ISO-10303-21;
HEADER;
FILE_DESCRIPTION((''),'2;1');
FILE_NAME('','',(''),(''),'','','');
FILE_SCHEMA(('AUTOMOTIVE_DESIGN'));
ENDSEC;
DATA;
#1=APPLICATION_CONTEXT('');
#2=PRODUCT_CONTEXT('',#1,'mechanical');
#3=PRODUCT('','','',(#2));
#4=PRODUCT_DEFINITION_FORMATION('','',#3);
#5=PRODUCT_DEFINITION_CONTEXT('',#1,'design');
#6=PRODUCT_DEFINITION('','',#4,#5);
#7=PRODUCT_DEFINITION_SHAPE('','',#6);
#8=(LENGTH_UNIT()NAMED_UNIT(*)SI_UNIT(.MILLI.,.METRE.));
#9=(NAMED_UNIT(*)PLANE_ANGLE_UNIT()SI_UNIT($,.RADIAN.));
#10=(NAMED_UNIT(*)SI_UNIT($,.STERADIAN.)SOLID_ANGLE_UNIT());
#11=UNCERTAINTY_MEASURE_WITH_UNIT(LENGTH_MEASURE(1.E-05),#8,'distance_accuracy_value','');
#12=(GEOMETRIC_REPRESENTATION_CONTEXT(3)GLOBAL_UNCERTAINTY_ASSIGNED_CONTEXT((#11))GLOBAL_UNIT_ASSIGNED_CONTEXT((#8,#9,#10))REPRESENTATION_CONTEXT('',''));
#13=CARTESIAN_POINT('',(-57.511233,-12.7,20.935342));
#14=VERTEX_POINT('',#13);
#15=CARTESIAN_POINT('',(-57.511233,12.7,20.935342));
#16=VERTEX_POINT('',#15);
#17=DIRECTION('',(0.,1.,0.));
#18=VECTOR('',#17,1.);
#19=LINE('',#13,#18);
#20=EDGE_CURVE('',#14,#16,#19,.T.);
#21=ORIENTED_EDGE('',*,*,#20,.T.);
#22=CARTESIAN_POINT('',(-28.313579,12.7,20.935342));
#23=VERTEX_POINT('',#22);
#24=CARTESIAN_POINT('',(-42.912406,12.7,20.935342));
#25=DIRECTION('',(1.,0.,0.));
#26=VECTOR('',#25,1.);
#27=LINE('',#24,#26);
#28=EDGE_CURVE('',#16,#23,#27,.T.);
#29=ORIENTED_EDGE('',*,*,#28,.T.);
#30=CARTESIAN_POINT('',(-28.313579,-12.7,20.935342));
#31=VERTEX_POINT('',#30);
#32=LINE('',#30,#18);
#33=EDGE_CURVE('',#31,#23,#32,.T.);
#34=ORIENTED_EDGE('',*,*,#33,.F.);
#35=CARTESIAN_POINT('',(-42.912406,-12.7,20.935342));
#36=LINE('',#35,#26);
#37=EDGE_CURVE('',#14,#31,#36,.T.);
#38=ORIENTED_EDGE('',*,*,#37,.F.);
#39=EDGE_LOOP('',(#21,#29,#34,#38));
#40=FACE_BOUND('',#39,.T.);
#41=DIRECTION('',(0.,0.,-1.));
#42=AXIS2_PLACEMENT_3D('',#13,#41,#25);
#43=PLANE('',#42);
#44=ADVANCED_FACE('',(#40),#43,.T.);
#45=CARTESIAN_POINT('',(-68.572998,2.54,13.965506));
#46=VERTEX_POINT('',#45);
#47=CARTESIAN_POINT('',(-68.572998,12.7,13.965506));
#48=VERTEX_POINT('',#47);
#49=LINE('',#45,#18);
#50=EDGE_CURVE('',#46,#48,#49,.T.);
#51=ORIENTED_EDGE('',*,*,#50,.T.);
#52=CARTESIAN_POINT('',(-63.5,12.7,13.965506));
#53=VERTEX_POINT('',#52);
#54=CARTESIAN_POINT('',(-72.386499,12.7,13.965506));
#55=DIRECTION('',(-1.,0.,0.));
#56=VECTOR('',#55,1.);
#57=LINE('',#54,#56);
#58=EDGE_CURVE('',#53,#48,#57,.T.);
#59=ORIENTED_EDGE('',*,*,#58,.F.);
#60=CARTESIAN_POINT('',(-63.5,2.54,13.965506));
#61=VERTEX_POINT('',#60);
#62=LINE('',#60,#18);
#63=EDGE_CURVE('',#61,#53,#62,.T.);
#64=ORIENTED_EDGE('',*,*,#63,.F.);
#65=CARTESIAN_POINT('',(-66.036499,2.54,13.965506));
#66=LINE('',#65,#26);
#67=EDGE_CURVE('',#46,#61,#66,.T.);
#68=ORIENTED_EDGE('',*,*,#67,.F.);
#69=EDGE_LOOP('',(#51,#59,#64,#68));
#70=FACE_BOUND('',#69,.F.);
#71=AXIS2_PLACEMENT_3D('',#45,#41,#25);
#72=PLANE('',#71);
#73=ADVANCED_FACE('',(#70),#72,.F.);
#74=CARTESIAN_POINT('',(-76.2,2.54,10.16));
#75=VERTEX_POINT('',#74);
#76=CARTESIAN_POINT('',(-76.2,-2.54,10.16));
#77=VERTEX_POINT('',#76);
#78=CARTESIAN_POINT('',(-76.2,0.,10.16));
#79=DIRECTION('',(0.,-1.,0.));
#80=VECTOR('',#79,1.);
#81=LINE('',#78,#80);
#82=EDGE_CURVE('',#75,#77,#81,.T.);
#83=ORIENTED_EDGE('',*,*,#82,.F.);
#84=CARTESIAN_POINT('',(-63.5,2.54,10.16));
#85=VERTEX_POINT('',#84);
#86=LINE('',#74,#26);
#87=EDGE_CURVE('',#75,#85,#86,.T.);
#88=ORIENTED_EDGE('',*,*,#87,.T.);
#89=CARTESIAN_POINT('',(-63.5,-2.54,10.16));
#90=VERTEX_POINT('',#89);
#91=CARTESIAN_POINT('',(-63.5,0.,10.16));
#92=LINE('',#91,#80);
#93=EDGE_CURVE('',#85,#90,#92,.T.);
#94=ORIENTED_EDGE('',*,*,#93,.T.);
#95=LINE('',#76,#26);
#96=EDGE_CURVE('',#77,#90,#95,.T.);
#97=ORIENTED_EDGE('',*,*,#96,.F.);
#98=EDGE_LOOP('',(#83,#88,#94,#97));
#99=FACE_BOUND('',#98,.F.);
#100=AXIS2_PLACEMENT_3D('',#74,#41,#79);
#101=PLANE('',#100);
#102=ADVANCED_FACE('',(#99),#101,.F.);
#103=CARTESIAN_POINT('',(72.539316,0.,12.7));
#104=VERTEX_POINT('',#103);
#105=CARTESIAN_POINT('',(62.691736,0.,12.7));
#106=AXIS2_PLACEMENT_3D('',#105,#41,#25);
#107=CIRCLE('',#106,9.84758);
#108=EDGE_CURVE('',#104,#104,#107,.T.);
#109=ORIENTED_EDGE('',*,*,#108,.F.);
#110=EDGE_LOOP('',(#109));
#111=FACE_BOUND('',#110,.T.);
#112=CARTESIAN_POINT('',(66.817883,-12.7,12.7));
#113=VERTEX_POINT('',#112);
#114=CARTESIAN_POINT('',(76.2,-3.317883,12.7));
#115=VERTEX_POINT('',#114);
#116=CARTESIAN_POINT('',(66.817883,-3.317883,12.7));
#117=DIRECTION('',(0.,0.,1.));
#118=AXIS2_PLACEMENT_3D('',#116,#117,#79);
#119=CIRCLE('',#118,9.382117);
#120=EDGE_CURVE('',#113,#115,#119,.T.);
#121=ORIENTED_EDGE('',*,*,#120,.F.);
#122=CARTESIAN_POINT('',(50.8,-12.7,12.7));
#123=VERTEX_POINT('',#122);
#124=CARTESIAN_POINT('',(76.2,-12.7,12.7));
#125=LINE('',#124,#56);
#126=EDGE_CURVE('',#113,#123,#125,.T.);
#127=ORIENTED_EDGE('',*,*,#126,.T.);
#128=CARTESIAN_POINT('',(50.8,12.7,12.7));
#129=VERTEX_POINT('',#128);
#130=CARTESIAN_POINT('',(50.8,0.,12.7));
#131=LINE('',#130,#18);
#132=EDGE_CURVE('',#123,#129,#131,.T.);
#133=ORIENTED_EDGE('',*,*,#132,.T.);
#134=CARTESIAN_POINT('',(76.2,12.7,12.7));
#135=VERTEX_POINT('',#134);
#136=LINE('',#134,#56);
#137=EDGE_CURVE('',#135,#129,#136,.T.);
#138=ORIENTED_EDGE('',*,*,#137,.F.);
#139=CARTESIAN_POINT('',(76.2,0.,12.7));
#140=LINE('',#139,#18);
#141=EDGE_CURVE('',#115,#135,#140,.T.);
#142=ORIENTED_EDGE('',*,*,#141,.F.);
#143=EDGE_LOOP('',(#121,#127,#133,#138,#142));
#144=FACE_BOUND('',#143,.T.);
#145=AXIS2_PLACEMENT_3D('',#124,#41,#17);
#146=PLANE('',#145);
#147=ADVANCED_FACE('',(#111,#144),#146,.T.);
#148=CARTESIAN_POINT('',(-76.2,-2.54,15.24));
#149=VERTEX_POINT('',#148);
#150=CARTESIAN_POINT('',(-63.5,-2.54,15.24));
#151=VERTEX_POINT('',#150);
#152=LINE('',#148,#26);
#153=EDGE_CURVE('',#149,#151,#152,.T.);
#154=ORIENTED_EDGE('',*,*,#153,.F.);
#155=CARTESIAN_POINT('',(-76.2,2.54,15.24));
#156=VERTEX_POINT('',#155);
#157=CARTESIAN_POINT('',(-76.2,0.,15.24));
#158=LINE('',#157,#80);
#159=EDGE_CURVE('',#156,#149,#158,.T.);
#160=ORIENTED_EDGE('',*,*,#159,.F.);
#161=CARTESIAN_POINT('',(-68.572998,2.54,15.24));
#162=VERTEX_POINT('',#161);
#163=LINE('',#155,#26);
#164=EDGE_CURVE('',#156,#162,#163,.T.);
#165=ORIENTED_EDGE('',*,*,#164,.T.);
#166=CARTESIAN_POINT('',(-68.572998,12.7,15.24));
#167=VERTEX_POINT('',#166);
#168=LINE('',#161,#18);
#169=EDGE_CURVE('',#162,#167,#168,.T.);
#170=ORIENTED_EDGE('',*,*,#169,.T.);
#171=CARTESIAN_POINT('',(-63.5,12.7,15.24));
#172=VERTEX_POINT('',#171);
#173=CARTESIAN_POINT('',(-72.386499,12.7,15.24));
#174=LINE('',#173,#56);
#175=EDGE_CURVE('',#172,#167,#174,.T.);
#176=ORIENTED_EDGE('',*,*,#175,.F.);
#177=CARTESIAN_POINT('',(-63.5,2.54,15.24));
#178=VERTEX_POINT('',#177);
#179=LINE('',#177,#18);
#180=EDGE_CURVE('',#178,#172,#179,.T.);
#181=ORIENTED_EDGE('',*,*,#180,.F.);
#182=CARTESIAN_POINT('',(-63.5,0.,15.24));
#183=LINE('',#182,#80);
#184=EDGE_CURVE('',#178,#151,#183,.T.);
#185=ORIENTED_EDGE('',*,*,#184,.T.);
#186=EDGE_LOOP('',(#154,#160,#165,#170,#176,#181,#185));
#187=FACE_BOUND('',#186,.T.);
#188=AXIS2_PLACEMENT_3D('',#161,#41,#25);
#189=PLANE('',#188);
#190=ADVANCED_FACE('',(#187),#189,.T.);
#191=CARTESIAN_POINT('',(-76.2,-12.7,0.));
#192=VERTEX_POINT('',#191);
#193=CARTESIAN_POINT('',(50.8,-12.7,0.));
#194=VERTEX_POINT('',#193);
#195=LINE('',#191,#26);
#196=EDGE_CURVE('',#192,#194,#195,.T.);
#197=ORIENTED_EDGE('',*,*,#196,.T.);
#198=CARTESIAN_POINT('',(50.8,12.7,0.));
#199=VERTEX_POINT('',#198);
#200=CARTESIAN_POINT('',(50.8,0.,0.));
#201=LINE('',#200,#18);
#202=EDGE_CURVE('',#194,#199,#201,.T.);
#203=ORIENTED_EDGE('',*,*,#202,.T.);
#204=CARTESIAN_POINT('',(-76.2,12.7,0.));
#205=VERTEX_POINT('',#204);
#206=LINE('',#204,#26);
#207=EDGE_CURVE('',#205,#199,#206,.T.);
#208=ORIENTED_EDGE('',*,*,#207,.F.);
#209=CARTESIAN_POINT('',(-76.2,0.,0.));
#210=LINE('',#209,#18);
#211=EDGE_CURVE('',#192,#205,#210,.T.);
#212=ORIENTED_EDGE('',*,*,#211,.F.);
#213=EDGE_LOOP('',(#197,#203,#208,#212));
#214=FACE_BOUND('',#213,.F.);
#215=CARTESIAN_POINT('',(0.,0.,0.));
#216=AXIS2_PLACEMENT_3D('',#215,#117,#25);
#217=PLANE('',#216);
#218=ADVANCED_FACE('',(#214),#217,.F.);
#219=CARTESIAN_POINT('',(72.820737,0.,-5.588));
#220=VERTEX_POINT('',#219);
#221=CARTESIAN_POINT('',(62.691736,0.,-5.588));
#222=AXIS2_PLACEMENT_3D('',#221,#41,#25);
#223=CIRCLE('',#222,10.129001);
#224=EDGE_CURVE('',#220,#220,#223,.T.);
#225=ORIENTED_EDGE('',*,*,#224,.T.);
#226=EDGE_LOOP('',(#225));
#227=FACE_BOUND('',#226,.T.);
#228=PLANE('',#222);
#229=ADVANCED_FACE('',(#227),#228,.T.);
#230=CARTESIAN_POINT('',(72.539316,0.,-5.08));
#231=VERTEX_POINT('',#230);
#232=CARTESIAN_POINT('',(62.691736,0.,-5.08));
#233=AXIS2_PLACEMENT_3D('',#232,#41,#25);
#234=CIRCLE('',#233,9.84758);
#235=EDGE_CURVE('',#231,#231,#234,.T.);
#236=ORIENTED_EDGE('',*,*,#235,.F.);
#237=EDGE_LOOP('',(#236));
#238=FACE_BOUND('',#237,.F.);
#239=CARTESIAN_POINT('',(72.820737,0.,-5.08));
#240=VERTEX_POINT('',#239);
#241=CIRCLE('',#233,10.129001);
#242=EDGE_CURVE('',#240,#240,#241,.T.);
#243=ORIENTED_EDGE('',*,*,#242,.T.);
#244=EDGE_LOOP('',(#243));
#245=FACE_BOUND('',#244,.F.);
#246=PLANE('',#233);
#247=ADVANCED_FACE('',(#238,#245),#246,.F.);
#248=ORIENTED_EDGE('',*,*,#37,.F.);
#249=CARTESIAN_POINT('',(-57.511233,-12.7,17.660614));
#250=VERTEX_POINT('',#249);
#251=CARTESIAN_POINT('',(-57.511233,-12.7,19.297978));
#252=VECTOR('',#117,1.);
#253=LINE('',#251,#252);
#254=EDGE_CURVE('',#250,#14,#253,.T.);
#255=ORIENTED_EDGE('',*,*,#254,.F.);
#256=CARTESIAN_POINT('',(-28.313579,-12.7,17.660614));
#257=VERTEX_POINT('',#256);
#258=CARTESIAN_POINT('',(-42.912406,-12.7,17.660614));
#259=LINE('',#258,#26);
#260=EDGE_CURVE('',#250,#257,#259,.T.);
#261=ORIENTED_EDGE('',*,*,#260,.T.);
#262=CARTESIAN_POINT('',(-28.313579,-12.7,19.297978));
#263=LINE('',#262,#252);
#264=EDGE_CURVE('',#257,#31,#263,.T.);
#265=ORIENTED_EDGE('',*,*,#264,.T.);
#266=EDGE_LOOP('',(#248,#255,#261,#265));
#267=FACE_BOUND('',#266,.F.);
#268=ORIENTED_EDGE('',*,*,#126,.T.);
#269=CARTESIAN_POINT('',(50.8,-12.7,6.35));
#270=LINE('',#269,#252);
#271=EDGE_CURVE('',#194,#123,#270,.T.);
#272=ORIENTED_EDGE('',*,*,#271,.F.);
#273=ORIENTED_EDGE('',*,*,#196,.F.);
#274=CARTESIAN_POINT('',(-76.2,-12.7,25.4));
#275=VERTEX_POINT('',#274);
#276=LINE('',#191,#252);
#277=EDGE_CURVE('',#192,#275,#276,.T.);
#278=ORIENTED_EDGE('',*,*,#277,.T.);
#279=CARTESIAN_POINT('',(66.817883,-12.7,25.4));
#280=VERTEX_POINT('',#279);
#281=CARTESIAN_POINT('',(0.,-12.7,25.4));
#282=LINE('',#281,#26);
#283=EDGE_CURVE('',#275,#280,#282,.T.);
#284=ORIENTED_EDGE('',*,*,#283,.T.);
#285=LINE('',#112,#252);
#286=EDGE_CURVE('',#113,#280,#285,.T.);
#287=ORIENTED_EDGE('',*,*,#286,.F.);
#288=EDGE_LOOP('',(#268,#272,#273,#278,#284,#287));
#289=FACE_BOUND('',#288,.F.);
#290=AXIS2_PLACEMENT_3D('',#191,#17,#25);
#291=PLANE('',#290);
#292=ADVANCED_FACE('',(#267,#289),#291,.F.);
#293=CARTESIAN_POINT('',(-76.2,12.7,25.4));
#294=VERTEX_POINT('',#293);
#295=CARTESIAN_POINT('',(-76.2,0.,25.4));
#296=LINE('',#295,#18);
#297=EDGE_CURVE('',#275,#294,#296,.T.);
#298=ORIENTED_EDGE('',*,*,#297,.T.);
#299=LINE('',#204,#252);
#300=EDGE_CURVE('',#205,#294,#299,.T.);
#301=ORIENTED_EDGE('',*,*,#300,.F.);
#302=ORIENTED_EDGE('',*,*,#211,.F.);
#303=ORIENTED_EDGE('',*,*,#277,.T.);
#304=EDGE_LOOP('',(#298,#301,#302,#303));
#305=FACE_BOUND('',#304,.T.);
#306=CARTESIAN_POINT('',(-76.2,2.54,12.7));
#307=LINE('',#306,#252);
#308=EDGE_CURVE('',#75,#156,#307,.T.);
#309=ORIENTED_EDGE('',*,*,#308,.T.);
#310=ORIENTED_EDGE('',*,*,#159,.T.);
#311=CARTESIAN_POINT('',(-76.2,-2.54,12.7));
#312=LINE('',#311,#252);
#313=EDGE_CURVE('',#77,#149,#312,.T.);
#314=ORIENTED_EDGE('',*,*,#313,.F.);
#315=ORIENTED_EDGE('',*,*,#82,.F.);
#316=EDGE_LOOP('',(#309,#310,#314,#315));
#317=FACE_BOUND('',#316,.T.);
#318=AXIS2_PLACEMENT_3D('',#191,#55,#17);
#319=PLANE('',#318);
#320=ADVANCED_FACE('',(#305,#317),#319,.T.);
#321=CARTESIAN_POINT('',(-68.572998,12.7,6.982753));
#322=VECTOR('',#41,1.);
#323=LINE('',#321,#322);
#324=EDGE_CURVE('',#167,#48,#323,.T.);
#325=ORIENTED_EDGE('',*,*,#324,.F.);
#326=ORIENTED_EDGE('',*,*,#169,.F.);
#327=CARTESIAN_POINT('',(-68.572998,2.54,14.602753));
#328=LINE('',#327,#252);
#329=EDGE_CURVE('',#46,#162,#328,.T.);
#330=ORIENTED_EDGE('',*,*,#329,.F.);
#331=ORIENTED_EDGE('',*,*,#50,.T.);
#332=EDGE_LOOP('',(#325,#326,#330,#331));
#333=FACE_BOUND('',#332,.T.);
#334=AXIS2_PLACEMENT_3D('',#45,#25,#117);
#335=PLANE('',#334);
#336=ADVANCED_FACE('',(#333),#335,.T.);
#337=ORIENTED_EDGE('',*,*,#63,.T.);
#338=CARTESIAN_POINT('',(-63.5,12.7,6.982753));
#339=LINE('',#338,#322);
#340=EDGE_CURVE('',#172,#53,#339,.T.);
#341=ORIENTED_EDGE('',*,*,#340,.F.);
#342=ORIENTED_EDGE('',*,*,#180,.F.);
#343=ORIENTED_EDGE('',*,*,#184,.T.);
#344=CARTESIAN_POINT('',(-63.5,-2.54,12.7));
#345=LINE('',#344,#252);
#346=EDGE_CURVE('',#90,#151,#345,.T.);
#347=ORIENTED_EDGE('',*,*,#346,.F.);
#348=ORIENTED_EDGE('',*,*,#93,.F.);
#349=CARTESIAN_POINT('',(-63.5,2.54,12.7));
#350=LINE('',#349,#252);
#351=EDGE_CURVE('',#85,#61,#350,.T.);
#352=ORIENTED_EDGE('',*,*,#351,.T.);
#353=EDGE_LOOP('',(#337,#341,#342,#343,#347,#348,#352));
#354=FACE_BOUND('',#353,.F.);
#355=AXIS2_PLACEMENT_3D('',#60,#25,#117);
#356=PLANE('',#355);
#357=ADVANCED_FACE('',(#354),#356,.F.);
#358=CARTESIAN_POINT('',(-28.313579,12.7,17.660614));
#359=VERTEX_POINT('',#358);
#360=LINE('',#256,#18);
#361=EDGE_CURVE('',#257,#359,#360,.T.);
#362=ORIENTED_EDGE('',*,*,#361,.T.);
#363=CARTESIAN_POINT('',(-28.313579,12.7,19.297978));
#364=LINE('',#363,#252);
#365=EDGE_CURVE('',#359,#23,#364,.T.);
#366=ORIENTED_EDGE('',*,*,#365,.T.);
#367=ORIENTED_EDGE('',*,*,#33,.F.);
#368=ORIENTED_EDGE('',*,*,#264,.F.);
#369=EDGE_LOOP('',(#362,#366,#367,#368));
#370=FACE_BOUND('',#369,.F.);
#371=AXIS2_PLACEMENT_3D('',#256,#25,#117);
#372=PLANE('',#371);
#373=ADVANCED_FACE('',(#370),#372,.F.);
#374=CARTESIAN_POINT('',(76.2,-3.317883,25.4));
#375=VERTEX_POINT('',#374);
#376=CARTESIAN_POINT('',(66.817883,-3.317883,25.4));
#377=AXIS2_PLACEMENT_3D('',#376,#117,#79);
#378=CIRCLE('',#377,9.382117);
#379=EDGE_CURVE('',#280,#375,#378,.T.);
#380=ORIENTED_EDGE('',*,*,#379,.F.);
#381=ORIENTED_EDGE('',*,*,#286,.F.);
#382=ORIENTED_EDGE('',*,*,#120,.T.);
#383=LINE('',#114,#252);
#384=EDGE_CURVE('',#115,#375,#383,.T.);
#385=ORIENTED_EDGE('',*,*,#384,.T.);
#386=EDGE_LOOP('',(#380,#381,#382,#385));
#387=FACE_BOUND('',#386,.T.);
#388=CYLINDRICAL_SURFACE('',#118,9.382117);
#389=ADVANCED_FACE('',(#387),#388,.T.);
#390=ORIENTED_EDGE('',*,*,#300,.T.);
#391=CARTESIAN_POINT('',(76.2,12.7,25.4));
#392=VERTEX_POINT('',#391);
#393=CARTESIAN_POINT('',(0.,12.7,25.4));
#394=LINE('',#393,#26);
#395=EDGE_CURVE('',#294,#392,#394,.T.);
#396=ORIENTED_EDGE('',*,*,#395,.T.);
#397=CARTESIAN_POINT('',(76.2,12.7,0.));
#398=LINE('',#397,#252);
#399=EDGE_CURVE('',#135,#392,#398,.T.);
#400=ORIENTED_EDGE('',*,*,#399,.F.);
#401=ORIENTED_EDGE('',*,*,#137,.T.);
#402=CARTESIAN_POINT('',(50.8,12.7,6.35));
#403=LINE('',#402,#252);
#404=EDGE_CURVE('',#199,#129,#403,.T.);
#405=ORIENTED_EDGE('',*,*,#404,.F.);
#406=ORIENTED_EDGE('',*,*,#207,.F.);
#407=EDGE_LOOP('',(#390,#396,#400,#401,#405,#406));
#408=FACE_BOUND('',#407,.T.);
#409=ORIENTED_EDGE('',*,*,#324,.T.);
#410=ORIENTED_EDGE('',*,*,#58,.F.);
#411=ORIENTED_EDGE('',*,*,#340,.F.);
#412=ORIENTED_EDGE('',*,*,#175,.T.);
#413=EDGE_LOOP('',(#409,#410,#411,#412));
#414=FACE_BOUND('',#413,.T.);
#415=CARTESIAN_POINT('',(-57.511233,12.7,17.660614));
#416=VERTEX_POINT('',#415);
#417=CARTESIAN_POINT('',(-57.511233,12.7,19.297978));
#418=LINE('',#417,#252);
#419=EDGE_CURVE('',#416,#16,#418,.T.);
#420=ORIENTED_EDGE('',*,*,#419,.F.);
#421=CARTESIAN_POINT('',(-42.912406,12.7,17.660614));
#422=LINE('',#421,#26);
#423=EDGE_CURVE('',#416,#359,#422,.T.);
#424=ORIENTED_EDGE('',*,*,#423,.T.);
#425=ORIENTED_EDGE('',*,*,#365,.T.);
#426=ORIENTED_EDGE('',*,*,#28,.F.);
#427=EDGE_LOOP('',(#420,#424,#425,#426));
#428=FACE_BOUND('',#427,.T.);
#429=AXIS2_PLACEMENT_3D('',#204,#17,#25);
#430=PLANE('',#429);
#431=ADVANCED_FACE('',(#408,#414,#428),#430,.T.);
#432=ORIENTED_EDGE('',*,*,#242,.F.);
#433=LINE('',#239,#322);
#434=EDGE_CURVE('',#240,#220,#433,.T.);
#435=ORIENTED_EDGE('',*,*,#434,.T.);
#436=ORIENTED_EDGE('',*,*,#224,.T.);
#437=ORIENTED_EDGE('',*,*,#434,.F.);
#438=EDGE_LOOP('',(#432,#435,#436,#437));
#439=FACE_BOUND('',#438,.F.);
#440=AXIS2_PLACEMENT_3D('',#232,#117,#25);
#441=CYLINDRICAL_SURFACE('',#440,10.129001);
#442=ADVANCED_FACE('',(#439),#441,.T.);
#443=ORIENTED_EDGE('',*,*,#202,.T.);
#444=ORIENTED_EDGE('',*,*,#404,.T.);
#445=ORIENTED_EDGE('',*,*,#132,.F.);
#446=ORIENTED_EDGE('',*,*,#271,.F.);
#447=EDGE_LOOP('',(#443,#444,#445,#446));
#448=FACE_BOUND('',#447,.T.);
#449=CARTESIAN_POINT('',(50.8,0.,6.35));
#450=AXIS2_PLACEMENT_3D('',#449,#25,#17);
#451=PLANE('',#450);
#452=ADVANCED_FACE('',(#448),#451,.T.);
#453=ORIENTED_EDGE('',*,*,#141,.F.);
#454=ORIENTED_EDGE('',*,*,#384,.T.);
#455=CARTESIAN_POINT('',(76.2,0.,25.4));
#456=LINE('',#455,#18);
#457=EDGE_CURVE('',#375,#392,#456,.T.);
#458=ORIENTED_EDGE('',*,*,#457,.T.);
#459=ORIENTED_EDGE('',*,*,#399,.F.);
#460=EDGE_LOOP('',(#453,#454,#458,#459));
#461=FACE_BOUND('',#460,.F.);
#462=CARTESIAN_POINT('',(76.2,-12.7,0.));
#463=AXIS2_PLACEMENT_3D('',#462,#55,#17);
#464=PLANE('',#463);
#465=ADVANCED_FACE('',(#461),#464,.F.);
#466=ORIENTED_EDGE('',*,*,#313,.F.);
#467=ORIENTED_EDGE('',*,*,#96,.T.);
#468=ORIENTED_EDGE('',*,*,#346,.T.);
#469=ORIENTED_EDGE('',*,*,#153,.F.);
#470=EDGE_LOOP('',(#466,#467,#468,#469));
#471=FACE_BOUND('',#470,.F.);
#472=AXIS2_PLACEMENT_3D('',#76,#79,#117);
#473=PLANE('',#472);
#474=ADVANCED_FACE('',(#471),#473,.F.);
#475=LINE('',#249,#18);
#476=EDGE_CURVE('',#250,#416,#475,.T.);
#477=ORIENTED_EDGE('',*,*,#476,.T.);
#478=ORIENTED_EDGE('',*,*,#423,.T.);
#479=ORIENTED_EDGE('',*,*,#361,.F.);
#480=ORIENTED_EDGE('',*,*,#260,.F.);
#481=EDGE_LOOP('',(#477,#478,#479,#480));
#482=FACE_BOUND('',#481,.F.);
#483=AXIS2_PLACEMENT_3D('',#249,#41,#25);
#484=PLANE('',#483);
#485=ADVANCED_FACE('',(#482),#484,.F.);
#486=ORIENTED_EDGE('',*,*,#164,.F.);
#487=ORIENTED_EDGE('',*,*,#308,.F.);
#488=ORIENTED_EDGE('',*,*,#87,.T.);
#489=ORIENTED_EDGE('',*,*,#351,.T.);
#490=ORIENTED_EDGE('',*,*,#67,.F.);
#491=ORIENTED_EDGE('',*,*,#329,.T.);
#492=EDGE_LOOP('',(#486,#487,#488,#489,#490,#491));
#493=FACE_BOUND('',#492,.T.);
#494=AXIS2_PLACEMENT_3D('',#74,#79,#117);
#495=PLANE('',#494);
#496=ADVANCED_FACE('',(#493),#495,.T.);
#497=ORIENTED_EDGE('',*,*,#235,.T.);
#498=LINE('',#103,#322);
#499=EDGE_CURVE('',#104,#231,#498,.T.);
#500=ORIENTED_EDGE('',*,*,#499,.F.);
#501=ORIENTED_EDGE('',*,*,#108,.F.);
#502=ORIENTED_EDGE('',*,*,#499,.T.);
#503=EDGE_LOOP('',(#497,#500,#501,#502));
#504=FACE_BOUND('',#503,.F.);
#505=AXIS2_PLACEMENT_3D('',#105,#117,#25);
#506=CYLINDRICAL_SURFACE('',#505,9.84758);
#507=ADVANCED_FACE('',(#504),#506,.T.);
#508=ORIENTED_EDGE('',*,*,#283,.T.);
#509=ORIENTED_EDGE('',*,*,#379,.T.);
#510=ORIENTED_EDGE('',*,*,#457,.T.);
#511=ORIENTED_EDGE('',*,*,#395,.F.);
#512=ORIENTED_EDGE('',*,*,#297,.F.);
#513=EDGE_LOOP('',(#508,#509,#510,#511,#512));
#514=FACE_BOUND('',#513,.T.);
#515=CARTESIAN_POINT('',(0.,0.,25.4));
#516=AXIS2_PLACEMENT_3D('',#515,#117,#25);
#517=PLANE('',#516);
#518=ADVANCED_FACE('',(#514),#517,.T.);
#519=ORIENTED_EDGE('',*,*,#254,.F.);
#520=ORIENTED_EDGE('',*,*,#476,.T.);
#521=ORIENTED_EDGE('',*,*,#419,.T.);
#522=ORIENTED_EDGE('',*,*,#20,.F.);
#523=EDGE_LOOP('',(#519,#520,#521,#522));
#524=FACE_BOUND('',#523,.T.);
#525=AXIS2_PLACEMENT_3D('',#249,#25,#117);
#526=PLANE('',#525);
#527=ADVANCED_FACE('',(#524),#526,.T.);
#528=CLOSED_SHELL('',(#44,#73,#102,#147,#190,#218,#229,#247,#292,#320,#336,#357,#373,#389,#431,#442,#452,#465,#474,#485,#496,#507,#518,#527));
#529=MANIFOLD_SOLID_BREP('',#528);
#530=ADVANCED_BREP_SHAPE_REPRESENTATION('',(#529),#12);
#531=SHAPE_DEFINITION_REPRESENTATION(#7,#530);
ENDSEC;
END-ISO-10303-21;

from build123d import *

# Parameters (mm, degrees)
F0_W       = 152.4
F0_H       = 25.4
F1_DEPTH   = 25.4
F2_W       = 25.4
F2_H       = 16.7976804078
F4_DEPTH   = 3.4544
F5_W       = 25.4
F5_H       = 12.7
F6_DEPTH   = 25.4
F8_W       = 29.1976537555
F8_H       = 3.2747276127
F9_DEPTH   = 25.4
F10_R      = 9.3821167461
F7_R       = 9.84758
F11_DEPTH  = 17.78
F12_R      = 10.1290006818
F12_R_2    = 9.84758
F11_FACE_R = 9.84758
F13_DEPTH  = 0.508
F14_W      = 5.08
F14_H      = 5.08
F15_DEPTH  = 12.7
F16_W      = 5.0729980469
F16_H      = 1.2744938934
F17_DEPTH  = 12.7


with BuildPart() as f1:
    # F0 (on Top) → F1 (new body)
    with BuildSketch(Plane.XY):
        Rectangle(F0_W, F0_H)
    extrude(amount=F1_DEPTH)

    # F2 (on face) → F4 (join)
    with BuildSketch(Plane.YZ.offset(76.2)):
        with Locations((0, 8.3988402039)):
            Rectangle(F2_W, F2_H)
    extrude(amount=-F4_DEPTH)

    # F5 (on face) → F6 (cut)
    with BuildSketch(Plane.YZ.offset(76.2)):
        with Locations((0, 6.35)):
            Rectangle(F5_W, F5_H)
    extrude(amount=-F6_DEPTH, mode=Mode.SUBTRACT)

    # F8 (on face) → F9 (cut)
    with BuildSketch(Plane.XZ.offset(12.7)):
        with Locations((-42.9124059156, 19.2979779094)):
            Rectangle(F8_W, F8_H)
    extrude(amount=-F9_DEPTH, mode=Mode.SUBTRACT)

    # F10
    f10_edges = [f1.edges().sort_by_distance(p)[0] for p in [
        (76.2, -12.7, 19.05),
    ]]
    fillet(f10_edges, radius=F10_R)

    # F7 (on face) → F11 (join)
    with BuildSketch(Plane(origin=(0, 0, 12.7), x_dir=(1, 0, 0), z_dir=(0, 0, -1))):
        with Locations((62.6917358843, 0)):
            Circle(F7_R)
    extrude(amount=F11_DEPTH)

    # F12 (on face) + F11_face (on face) → F13 (join)
    with BuildSketch(Plane(origin=(0, 0, -5.08), x_dir=(1, 0, 0), z_dir=(0, 0, -1))):
        with Locations((62.6917358843, 0)):
            Circle(F12_R)
        with Locations((62.6917358843, 0)):
            Circle(F12_R_2, mode=Mode.SUBTRACT)
        with Locations((62.6917358843, 0)):
            Circle(F12_R_2)
    with BuildSketch(Plane(origin=(62.6917358843, 0, -5.08), x_dir=(1, 0, 0), z_dir=(0, 0, -1))):
        Circle(F11_FACE_R)
    extrude(amount=F13_DEPTH)

    # F14 (on face) → F15 (cut)
    with BuildSketch(Plane(origin=(-76.2, 0, 0), x_dir=(0, -1, 0), z_dir=(-1, 0, 0))):
        with Locations((0, 12.7)):
            Rectangle(F14_W, F14_H)
    extrude(amount=-F15_DEPTH, mode=Mode.SUBTRACT)

    # F16 (on face) → F17 (cut)
    with BuildSketch(Plane.XZ.offset(-2.54)):
        with Locations((-66.0364990234, 14.6027530533)):
            Rectangle(F16_W, F16_H)
    extrude(amount=-F17_DEPTH, mode=Mode.SUBTRACT)


solid = f1.part
